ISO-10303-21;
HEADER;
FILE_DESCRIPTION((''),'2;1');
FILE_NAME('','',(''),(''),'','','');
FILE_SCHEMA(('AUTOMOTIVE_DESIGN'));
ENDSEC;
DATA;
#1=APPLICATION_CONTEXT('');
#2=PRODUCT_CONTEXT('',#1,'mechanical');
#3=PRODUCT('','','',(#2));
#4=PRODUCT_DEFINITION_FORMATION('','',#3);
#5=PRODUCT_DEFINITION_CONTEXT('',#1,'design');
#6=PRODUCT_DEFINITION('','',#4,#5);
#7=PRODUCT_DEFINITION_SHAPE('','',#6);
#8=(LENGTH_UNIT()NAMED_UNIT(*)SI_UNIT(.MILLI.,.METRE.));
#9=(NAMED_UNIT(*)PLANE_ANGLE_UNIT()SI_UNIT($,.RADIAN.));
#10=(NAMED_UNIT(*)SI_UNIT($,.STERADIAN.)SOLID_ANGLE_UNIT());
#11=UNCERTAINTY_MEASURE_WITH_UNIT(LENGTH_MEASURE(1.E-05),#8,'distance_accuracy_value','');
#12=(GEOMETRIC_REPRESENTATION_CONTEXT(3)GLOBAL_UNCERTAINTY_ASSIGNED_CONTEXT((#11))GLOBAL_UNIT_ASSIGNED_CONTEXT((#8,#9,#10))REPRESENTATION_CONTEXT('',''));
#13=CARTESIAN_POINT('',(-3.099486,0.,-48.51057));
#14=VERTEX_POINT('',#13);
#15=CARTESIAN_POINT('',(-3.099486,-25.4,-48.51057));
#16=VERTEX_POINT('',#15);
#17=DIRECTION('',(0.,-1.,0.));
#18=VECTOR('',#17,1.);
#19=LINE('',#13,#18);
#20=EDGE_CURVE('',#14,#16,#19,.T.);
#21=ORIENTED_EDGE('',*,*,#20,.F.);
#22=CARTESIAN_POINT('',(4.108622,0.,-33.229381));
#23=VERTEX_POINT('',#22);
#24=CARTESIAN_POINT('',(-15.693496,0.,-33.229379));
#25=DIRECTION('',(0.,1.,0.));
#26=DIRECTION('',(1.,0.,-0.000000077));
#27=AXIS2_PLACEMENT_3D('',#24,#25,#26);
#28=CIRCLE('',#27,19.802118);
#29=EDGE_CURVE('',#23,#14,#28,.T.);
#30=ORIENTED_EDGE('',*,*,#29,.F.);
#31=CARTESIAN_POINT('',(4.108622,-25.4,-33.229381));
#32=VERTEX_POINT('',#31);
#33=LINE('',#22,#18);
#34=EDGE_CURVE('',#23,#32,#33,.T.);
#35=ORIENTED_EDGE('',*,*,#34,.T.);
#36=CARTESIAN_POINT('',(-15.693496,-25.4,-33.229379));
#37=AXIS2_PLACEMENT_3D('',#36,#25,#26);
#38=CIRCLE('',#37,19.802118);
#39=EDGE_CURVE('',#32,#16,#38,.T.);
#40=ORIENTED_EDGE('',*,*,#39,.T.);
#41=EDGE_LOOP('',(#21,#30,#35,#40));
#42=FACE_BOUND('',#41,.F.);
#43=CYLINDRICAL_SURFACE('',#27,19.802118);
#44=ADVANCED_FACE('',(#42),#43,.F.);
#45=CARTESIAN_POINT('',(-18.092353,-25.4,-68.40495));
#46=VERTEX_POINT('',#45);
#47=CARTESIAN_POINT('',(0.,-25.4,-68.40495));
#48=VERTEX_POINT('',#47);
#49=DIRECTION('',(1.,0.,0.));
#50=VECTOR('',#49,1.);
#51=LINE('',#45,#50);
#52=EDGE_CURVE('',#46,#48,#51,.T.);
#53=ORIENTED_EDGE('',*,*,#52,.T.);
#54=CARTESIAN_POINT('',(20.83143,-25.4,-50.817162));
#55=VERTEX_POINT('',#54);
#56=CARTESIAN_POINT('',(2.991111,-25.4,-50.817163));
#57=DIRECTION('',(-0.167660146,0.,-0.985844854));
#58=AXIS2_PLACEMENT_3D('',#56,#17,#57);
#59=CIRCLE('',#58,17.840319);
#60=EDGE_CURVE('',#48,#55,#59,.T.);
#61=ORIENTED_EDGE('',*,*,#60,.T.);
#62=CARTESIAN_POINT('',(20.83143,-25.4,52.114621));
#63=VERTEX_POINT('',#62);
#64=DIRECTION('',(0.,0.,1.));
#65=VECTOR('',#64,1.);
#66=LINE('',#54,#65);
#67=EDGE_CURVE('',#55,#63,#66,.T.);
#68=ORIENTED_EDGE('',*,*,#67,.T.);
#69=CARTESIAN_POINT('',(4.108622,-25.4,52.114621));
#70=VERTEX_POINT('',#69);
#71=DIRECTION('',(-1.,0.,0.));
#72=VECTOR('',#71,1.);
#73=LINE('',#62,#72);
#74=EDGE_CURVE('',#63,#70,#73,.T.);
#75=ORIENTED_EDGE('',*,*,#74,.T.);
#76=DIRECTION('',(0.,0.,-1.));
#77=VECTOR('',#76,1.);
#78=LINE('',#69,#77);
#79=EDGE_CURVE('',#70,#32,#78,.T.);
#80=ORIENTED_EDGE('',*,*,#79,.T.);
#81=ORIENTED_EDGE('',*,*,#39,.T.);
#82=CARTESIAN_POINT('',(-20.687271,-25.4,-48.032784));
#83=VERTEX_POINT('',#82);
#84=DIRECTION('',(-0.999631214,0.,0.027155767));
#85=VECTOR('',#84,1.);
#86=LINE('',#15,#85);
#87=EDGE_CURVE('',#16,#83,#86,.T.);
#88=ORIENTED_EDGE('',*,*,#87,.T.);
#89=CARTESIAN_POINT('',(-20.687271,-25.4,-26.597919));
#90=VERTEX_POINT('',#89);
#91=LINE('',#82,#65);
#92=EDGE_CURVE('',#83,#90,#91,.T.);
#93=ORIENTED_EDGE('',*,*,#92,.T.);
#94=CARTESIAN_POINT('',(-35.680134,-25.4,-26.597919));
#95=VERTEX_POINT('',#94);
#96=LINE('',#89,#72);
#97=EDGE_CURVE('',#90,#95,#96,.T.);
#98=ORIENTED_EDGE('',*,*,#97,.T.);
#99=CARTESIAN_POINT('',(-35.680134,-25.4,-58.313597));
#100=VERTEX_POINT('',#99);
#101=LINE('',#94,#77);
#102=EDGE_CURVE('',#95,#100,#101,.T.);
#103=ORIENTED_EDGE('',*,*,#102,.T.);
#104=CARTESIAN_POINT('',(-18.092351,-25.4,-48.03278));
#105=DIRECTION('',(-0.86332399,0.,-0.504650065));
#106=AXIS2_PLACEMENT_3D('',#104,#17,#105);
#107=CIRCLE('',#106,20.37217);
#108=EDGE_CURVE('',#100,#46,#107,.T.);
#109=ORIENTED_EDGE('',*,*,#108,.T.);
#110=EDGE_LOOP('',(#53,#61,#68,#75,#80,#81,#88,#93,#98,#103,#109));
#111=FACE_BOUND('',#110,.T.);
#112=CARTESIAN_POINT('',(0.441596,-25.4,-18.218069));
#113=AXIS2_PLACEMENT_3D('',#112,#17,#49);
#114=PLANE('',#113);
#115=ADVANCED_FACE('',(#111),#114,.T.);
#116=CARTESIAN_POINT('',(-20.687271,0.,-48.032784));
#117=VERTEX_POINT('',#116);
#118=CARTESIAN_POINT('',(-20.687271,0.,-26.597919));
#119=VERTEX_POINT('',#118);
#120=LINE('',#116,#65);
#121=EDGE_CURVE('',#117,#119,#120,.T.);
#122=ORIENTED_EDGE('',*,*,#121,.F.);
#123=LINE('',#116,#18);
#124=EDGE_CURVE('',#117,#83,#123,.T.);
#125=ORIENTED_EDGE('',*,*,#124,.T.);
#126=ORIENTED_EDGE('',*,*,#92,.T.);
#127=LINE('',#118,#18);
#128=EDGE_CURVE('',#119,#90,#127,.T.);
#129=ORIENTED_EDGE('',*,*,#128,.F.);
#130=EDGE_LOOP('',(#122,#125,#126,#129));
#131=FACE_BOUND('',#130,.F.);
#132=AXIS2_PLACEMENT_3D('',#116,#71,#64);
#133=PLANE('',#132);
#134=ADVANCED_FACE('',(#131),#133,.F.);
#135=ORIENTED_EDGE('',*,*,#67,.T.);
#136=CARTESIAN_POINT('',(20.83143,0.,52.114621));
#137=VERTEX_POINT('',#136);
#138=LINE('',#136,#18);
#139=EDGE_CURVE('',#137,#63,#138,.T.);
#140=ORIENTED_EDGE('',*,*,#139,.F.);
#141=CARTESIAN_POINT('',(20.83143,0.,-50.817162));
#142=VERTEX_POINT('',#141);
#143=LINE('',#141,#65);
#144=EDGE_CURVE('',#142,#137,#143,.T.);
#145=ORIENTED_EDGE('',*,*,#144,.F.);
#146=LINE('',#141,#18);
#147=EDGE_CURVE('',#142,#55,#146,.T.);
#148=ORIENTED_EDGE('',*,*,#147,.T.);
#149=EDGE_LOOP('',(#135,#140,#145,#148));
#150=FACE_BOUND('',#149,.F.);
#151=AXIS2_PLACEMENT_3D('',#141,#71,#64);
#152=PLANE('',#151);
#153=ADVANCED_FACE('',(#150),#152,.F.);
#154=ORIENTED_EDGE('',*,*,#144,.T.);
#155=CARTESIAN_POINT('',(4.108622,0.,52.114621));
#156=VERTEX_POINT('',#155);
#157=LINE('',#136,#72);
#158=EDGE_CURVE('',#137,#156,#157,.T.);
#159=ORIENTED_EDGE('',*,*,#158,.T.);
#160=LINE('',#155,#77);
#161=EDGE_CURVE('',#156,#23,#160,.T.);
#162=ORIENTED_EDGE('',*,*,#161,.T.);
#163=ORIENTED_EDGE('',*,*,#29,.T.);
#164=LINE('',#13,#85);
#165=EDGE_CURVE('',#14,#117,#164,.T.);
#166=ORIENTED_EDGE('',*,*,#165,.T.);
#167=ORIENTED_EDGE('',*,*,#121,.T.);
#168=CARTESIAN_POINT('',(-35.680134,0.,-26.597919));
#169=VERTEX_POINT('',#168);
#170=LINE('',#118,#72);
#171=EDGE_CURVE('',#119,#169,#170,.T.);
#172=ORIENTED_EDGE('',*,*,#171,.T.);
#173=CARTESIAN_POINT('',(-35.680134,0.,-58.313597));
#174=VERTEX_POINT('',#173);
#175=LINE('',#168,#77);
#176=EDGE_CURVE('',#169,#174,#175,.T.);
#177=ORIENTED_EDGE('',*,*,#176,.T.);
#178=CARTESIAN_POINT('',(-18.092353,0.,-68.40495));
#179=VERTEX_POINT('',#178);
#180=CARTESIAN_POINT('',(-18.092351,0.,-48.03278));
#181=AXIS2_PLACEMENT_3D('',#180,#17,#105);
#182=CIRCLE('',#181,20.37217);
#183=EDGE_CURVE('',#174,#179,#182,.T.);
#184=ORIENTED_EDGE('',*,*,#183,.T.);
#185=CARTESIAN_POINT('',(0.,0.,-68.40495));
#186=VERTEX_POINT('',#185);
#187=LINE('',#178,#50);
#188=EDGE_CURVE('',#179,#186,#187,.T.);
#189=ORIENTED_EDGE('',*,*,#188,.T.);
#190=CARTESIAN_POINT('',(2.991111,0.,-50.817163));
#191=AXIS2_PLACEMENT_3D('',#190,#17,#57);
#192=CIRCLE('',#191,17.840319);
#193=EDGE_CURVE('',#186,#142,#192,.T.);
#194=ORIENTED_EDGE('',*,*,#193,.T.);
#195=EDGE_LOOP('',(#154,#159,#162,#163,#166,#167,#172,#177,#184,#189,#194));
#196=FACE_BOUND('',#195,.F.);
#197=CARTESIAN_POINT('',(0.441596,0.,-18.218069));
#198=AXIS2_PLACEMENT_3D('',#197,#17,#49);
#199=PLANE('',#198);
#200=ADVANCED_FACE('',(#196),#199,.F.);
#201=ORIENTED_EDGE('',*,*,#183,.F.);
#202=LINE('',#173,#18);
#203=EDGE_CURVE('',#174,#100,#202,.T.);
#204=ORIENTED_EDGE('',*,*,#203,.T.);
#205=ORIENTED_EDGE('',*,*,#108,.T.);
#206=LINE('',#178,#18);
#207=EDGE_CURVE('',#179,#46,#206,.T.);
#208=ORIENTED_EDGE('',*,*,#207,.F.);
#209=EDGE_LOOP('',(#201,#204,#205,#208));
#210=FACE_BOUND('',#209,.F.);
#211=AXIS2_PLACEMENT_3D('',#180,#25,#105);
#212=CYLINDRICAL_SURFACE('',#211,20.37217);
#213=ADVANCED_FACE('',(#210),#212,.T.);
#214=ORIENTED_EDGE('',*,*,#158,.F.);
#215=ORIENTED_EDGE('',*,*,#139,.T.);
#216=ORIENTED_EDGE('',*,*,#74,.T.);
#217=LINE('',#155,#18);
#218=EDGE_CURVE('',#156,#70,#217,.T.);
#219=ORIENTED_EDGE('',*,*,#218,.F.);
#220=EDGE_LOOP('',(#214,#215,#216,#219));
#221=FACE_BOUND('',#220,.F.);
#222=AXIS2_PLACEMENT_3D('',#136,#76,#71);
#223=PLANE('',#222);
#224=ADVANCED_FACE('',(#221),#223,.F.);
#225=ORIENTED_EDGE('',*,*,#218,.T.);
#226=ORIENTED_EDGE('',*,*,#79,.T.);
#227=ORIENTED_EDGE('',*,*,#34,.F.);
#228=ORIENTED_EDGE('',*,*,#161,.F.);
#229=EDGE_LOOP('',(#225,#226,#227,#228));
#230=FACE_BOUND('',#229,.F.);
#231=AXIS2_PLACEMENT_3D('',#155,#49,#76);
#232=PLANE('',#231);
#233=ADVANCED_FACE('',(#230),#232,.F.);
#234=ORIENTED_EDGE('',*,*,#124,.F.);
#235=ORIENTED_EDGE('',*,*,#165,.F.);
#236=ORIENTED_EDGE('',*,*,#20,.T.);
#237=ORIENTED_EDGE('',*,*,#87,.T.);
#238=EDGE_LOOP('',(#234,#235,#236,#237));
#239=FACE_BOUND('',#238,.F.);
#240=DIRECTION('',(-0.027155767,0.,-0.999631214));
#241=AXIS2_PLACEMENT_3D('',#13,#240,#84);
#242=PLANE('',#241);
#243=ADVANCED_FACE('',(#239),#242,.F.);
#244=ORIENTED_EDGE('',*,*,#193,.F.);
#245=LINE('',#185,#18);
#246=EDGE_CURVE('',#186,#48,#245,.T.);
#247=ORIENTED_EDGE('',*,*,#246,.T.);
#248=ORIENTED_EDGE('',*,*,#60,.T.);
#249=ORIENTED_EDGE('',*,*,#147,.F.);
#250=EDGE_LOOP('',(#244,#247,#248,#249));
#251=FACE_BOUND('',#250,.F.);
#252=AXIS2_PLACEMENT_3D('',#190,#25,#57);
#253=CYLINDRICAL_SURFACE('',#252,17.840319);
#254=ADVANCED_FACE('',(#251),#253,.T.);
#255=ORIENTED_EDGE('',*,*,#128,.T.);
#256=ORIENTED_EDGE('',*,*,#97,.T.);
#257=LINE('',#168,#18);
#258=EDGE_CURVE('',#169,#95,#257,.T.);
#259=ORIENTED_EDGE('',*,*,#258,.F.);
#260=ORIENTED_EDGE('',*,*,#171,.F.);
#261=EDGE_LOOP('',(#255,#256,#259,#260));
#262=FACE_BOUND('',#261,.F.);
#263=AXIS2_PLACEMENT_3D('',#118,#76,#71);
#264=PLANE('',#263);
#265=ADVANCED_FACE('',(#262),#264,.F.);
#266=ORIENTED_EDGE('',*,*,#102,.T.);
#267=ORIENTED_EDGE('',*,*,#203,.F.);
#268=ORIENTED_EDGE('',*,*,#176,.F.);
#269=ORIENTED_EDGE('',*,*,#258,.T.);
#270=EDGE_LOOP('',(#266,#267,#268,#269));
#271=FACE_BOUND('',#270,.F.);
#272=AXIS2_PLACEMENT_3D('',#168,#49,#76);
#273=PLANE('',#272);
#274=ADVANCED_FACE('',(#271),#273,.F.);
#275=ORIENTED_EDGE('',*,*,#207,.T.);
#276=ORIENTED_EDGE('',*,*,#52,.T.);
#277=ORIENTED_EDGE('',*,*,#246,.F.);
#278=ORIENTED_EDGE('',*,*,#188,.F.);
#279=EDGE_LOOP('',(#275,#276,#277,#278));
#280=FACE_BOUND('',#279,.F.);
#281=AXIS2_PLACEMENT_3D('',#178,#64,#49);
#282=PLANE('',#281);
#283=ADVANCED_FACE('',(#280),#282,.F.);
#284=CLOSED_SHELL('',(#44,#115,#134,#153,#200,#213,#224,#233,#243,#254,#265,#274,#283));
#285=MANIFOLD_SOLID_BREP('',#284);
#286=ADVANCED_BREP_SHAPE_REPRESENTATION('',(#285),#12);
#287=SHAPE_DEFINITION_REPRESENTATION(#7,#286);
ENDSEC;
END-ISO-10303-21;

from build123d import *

# Parameters (mm, degrees)
F1_DEPTH = 25.4


with BuildPart() as f1:
    # F0 (on Front) → F1 (new body)
    with BuildSketch(Plane.XZ):
        with BuildLine():
            Line((20.83143, -50.817162), (20.83143, 52.114621))
            Line((20.83143, 52.114621), (4.108622, 52.114621))
            Line((4.108622, 52.114621), (4.108622, -33.229381))
            ThreePointArc((4.108622, -33.229381), (2.216165, -41.677333), (-3.099486, -48.51057))
            Line((-3.099486, -48.51057), (-20.687271, -48.032784))
            Line((-20.687271, -48.032784), (-20.687271, -26.597919))
            Line((-20.687271, -26.597919), (-35.680134, -26.597919))
            Line((-35.680134, -26.597919), (-35.680134, -58.313597))
            ThreePointArc((-35.680134, -58.313597), (-28.23096, -65.702922), (-18.092353, -68.40495))
            Line((-18.092353, -68.40495), (0, -68.40495))
            ThreePointArc((0, -68.40495), (14.500121, -64.448732), (20.83143, -50.817162))
        make_face()
    extrude(amount=F1_DEPTH)


solid = f1.part
